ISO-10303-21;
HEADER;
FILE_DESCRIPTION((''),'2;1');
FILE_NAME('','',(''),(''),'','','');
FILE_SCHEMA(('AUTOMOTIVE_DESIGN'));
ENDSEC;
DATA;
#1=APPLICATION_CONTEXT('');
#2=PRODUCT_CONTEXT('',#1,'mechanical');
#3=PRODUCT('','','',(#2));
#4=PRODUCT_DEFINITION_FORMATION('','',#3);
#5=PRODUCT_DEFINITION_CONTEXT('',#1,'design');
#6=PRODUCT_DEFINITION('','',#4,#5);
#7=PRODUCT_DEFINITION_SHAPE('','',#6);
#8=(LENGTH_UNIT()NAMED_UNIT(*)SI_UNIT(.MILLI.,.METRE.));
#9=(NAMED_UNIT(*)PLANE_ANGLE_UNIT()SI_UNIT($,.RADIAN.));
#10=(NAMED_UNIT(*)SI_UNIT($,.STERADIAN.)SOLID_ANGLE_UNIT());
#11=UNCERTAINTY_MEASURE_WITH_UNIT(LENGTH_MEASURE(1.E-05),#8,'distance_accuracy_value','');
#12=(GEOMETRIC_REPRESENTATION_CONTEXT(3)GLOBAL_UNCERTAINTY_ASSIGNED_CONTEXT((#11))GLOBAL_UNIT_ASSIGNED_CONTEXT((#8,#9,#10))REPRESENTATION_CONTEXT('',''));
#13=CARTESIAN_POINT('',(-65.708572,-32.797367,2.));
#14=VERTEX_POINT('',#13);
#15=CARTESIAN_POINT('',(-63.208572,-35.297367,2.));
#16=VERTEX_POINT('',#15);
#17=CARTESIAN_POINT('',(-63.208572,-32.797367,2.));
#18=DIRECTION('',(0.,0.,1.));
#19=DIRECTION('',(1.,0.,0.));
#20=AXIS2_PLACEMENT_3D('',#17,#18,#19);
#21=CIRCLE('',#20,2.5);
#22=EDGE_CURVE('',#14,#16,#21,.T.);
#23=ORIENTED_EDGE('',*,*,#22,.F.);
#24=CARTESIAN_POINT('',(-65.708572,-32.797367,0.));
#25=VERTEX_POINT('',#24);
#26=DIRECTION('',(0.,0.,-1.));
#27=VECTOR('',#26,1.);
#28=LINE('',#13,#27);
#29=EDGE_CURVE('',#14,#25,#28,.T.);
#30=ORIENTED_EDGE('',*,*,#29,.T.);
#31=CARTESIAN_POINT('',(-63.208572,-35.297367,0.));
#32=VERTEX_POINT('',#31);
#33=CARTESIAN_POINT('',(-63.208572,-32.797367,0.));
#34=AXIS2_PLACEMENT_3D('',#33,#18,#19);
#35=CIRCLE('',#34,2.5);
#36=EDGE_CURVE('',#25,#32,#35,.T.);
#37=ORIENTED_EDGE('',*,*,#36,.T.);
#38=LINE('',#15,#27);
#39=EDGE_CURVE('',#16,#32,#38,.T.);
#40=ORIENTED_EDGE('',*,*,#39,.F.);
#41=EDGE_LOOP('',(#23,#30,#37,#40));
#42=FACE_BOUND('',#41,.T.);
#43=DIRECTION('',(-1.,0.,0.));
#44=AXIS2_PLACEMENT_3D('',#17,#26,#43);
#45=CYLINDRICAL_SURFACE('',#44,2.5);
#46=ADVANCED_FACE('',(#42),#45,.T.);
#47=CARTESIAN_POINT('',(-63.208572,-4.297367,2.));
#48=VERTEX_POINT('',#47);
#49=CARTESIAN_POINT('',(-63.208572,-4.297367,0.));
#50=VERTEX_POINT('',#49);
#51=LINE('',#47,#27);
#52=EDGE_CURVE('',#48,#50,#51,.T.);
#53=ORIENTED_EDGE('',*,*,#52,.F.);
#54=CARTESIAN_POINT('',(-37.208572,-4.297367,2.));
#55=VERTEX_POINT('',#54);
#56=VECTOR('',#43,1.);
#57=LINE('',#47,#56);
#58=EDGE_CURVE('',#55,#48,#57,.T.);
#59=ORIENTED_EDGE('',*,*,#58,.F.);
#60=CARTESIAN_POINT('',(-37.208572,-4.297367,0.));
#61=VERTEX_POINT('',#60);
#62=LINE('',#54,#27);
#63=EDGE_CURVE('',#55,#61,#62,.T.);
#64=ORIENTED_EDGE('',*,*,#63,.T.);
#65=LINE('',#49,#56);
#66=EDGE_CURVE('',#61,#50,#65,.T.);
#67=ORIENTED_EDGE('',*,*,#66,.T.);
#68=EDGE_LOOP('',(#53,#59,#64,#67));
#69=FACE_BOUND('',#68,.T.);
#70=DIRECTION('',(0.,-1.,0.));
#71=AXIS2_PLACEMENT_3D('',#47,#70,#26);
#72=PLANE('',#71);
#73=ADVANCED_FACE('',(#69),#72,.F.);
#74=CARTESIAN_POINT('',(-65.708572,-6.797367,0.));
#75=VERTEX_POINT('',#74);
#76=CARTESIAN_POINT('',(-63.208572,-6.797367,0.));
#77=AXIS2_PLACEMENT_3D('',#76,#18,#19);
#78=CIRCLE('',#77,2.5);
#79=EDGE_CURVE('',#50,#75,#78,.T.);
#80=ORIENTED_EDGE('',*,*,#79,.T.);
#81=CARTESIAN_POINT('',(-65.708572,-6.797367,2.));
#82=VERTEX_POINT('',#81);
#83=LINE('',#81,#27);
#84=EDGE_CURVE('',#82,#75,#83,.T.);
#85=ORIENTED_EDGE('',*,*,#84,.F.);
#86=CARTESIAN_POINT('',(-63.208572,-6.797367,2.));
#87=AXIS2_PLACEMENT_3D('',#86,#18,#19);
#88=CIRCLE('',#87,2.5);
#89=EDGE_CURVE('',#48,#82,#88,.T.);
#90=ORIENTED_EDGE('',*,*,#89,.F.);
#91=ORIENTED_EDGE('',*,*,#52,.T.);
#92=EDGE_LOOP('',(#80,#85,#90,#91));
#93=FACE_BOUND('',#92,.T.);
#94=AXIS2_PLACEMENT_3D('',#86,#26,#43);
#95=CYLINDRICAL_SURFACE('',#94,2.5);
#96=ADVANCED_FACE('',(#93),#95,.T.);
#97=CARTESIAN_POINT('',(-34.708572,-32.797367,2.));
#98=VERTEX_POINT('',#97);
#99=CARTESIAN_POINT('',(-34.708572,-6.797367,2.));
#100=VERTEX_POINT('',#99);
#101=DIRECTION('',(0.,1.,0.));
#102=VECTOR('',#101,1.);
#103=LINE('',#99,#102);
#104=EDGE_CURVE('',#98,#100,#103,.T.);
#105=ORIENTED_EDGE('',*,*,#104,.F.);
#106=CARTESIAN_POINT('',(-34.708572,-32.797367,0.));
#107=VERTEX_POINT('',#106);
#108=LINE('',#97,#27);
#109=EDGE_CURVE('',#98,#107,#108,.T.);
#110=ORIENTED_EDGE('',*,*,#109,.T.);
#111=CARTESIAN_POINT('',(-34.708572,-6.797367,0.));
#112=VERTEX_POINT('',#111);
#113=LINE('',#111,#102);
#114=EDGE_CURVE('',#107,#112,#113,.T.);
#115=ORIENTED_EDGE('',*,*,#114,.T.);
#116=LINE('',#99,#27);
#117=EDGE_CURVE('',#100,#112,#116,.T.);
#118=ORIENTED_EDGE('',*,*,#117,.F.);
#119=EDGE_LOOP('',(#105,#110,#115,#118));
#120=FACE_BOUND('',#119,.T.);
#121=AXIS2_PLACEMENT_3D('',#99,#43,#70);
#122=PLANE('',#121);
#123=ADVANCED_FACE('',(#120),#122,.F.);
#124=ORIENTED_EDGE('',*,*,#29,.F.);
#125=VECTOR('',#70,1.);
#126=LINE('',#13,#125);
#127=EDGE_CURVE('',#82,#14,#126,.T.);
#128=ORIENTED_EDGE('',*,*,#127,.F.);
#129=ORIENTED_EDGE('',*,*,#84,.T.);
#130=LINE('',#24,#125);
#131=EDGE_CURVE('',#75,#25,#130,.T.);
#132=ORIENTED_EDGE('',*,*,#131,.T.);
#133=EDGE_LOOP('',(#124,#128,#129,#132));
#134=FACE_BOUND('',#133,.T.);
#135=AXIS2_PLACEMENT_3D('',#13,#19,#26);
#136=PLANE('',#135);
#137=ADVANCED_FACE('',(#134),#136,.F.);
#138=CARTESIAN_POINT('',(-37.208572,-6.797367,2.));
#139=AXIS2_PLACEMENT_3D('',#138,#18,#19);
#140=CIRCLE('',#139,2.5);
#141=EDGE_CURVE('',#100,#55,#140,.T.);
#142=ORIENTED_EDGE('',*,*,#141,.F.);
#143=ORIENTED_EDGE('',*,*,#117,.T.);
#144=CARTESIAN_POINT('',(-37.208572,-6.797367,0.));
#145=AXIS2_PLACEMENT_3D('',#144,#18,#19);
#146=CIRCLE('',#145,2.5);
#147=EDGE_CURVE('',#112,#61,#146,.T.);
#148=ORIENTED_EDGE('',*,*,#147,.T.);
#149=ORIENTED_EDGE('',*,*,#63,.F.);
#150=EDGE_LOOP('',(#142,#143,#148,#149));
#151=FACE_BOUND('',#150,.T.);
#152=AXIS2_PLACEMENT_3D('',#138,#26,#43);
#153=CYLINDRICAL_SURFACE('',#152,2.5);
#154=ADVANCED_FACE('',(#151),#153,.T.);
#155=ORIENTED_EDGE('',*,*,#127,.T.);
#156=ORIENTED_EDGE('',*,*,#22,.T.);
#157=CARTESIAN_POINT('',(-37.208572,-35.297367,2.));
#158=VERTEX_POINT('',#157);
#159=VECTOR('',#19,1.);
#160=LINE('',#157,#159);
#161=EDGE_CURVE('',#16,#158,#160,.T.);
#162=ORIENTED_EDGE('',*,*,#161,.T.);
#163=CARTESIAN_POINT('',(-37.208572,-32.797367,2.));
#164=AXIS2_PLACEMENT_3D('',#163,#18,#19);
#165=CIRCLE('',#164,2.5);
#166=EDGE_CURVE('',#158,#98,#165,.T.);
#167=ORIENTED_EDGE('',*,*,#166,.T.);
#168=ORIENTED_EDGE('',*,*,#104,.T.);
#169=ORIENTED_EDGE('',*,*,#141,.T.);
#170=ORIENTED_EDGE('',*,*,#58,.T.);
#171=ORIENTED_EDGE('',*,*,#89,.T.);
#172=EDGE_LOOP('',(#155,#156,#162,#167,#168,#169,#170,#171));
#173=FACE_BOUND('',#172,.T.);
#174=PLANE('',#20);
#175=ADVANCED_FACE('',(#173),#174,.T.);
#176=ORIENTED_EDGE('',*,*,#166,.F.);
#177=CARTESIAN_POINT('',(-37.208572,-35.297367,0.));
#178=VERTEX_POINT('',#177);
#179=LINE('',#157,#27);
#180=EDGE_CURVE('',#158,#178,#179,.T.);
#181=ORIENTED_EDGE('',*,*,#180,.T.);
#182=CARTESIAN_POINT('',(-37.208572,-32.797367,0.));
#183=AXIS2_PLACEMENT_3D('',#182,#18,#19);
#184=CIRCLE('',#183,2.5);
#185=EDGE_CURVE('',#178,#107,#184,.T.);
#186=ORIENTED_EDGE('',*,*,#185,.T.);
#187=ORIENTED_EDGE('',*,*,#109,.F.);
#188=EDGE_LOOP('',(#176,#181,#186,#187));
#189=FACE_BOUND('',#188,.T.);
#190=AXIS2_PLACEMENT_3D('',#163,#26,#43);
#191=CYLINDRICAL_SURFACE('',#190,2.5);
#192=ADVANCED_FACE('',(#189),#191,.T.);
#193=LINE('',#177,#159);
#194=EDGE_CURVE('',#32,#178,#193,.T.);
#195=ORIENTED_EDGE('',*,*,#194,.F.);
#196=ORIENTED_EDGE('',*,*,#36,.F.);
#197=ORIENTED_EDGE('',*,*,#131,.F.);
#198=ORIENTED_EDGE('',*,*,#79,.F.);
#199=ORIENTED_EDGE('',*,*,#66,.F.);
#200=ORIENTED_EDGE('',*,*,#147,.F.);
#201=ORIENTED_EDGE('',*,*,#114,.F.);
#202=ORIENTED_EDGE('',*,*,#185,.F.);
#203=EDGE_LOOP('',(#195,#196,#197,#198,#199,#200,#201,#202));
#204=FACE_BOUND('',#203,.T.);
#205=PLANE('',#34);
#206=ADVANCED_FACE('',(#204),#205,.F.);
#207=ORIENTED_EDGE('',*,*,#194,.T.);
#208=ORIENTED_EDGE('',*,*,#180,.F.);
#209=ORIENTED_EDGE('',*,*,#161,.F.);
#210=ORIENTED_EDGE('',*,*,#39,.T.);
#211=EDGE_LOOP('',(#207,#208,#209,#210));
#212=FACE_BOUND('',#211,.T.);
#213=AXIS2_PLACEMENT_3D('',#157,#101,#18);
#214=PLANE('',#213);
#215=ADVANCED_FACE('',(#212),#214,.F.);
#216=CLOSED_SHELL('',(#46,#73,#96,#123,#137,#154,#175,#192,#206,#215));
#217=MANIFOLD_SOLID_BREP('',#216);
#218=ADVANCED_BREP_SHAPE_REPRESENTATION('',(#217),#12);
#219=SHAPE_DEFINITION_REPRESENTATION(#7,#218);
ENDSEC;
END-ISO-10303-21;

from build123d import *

# Parameters (mm, degrees)
ESTRUSIONE_ESTRUSIONE1_DEPTH = 2


with BuildPart() as part:
    # Schizzo1 → Estrusione-Estrusione1 (new body)
    with BuildSketch(Plane.XY):
        with BuildLine():
            Line((-37.208571836, -35.297366731), (-63.208571836, -35.297366731))
            ThreePointArc((-63.208571836, -35.297366731), (-64.976338789, -34.565133683), (-65.708571836, -32.797366731))
            Line((-65.708571836, -32.797366731), (-65.708571836, -6.797366731))
            ThreePointArc((-65.708571836, -6.797366731), (-64.976338789, -5.029599778), (-63.208571836, -4.297366731))
            Line((-63.208571836, -4.297366731), (-37.208571836, -4.297366731))
            ThreePointArc((-37.208571836, -4.297366731), (-35.440804883, -5.029599778), (-34.708571836, -6.797366731))
            Line((-34.708571836, -6.797366731), (-34.708571836, -32.797366731))
            ThreePointArc((-34.708571836, -32.797366731), (-35.440804883, -34.565133683), (-37.208571836, -35.297366731))
        make_face()
    extrude(amount=ESTRUSIONE_ESTRUSIONE1_DEPTH)


solid = part.part
